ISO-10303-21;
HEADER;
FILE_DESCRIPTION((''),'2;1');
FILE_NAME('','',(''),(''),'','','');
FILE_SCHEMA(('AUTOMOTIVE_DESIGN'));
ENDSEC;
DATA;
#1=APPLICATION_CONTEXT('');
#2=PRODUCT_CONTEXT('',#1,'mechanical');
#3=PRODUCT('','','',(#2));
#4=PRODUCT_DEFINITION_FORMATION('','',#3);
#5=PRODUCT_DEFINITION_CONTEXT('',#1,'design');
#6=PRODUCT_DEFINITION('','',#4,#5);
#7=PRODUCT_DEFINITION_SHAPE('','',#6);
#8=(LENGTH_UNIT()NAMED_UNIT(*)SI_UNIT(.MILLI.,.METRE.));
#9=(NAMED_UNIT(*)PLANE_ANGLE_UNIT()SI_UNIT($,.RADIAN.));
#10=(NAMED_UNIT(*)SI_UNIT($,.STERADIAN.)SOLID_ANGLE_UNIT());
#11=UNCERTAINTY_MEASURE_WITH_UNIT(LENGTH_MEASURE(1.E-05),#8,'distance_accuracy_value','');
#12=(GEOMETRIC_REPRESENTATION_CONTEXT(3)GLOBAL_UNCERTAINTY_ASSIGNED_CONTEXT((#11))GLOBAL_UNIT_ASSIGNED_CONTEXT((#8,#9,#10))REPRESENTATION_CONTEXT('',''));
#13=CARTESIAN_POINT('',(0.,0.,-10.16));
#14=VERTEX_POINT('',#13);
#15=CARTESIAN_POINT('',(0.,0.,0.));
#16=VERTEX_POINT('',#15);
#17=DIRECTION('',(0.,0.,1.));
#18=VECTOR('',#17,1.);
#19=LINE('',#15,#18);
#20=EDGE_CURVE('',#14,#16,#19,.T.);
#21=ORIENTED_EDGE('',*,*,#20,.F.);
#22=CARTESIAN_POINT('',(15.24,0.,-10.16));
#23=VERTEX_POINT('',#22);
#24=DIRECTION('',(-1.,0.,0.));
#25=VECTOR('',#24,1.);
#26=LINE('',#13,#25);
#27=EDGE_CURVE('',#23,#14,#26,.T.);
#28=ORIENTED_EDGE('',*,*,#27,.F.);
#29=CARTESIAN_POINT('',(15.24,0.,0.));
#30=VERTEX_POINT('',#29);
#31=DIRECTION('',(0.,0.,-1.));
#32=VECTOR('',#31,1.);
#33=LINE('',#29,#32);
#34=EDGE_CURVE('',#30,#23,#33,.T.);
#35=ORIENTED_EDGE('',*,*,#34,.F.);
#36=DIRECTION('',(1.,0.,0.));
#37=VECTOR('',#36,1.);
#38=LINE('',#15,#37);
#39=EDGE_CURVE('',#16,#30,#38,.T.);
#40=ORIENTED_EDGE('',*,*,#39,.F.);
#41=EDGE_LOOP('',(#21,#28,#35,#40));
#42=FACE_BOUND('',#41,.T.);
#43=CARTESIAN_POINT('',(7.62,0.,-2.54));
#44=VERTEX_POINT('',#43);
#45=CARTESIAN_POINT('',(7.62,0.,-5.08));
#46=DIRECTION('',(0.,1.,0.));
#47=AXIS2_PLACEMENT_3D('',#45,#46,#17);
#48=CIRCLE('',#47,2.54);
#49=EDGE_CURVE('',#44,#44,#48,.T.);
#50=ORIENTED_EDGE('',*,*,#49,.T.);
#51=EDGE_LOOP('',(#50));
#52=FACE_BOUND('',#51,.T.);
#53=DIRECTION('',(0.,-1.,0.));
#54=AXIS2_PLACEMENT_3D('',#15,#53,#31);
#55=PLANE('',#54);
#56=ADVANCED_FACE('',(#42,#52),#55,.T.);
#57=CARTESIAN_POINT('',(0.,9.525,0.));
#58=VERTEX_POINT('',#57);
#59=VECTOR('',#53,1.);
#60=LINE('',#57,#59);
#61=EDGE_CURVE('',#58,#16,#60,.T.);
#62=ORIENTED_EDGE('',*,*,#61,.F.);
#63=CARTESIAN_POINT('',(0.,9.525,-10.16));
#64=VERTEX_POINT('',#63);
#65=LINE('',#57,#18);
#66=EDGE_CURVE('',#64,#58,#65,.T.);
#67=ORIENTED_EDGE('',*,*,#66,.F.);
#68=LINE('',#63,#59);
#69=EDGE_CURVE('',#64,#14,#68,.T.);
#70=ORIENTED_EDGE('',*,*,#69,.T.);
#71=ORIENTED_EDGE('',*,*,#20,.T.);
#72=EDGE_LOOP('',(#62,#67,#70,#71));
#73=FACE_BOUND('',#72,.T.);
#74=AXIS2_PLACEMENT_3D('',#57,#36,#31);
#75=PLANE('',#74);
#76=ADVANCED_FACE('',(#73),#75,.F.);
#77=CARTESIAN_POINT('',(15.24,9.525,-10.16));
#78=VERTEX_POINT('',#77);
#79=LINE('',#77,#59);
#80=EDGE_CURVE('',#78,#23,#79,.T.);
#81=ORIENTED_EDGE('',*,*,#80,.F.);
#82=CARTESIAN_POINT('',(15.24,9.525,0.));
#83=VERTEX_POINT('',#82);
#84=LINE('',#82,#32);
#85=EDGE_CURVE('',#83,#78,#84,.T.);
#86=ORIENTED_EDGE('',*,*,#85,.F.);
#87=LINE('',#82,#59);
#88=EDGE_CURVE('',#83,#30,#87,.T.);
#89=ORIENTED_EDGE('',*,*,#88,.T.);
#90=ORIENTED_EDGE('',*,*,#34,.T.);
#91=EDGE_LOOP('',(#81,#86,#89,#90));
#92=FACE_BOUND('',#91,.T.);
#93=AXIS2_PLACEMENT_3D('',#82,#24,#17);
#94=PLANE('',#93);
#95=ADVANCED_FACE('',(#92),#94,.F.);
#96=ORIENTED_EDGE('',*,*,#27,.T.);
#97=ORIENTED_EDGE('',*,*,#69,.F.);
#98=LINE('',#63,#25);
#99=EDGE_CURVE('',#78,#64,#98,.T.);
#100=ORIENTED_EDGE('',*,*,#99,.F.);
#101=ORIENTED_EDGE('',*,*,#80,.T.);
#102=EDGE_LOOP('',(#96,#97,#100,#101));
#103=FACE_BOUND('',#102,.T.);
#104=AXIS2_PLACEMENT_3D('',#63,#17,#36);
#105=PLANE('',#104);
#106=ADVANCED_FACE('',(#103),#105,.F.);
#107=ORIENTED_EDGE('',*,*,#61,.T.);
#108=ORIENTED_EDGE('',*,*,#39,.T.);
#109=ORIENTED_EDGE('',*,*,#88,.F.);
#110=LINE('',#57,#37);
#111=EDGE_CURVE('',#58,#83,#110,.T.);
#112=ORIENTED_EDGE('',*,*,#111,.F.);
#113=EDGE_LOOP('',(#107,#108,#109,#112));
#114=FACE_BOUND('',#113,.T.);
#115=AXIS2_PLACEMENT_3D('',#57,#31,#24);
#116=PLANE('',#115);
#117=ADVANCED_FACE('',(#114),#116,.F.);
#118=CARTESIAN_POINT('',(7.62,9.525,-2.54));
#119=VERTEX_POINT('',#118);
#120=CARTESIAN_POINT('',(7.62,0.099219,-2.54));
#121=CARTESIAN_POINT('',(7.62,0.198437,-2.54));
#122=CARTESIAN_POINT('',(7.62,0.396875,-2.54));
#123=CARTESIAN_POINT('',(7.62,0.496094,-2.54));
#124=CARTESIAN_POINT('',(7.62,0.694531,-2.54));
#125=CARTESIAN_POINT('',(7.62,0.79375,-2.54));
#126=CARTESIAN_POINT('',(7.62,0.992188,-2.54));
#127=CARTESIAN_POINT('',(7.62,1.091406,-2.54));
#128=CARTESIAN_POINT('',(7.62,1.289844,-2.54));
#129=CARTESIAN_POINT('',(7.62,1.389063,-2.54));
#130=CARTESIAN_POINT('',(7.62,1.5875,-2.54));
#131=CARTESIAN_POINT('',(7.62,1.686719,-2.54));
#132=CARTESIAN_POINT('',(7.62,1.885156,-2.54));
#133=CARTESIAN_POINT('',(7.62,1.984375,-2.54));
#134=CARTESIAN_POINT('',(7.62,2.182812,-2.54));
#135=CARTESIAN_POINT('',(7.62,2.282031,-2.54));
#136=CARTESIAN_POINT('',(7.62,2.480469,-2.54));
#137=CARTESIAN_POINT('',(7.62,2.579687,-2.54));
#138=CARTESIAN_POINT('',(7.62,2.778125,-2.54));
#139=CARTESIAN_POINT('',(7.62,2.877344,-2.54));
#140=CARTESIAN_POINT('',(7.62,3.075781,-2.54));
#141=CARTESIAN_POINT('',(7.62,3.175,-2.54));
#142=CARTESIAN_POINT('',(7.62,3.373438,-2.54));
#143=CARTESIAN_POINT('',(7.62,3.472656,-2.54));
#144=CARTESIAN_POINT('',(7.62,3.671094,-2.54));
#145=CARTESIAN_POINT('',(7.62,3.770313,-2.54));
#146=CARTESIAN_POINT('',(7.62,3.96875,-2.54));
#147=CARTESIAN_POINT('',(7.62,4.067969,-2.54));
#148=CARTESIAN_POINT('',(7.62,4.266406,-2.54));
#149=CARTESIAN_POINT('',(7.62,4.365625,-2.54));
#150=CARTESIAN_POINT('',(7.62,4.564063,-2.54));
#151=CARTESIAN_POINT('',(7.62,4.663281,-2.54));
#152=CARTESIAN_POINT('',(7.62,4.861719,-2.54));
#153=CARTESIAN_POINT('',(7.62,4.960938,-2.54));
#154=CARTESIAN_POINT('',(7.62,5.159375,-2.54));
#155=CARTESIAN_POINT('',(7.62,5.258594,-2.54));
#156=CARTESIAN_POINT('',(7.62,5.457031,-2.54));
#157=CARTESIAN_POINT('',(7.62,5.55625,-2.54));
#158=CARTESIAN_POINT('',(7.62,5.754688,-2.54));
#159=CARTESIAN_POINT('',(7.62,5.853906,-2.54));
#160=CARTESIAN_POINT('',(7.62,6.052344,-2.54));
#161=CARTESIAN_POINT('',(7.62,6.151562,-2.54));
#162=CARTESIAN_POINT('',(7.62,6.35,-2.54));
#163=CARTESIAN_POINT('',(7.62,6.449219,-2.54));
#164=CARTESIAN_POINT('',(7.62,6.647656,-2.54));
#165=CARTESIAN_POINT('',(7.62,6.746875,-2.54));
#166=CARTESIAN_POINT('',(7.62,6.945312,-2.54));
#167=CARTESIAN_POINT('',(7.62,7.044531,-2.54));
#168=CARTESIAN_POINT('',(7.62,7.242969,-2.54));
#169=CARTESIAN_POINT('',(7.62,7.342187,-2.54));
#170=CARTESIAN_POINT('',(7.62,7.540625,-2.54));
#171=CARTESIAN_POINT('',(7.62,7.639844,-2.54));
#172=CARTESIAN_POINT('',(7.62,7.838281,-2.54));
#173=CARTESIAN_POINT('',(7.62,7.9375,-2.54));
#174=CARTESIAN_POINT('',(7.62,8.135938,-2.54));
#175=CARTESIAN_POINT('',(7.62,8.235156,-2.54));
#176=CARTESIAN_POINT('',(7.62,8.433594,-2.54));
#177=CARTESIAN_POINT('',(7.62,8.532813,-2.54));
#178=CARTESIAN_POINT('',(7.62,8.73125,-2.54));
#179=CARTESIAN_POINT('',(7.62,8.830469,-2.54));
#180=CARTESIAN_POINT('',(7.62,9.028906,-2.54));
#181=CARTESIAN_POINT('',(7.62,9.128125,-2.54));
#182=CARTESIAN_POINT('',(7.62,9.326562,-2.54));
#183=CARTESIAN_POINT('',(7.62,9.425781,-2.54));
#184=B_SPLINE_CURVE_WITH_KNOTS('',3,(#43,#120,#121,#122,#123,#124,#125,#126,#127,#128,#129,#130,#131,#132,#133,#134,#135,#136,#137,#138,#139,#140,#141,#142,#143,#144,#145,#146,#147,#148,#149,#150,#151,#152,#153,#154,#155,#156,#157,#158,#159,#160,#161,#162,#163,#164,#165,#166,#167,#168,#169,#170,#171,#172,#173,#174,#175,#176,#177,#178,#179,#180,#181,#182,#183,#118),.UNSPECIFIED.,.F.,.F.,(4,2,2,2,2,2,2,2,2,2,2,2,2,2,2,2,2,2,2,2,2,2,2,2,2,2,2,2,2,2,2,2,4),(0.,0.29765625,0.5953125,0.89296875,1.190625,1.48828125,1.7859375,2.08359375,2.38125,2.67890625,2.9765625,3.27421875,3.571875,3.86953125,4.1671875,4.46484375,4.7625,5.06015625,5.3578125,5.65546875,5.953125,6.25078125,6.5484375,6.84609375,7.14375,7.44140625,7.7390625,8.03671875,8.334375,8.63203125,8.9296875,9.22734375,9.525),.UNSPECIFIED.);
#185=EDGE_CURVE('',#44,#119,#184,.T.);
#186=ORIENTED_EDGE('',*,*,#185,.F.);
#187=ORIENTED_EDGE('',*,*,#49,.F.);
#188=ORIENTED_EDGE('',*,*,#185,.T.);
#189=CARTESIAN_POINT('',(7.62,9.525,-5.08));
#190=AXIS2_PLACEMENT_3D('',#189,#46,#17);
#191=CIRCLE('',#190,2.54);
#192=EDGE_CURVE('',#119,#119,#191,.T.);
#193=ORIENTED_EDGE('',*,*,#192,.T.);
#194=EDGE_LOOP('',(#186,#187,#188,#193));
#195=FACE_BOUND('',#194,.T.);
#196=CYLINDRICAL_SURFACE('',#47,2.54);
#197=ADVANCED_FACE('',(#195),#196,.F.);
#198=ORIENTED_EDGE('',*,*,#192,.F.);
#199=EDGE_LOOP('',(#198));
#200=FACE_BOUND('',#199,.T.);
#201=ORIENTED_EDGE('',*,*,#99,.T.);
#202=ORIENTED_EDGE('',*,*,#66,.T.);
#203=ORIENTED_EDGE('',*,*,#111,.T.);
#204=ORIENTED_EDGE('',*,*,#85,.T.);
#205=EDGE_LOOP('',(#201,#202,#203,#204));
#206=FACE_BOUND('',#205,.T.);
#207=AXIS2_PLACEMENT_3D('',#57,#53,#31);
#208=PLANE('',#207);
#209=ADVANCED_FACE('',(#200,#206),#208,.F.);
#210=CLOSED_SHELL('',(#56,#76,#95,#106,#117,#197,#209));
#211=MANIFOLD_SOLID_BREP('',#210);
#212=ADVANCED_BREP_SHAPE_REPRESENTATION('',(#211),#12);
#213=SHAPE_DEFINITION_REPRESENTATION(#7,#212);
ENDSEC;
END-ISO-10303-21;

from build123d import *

# Parameters (mm, degrees)
SKETCH1_W           = 15.24
SKETCH1_H           = 10.16
BOSS_EXTRUDE1_DEPTH = 9.525
SKETCH2_R           = 2.54
CUT_EXTRUDE1_DEPTH  = 21.644825623


with BuildPart() as part:
    # Sketch1 → Boss-Extrude1 (new body)
    with BuildSketch(Plane(origin=(0, 0, 0), x_dir=(1, 0, 0), z_dir=(0, 1, 0))):
        with Locations((7.62, 5.08)):
            Rectangle(SKETCH1_W, SKETCH1_H)
    extrude(amount=BOSS_EXTRUDE1_DEPTH)

    # Sketch2 → Cut-Extrude1 (cut, through all)
    with BuildSketch(Plane(origin=(0, 9.525, 0), x_dir=(1, 0, 0), z_dir=(0, 1, 0))):
        with Locations(Location((7.62, 5.08, 0), (0, 0, 270))):
            Circle(SKETCH2_R)
    extrude(amount=-CUT_EXTRUDE1_DEPTH, mode=Mode.SUBTRACT)


solid = part.part
